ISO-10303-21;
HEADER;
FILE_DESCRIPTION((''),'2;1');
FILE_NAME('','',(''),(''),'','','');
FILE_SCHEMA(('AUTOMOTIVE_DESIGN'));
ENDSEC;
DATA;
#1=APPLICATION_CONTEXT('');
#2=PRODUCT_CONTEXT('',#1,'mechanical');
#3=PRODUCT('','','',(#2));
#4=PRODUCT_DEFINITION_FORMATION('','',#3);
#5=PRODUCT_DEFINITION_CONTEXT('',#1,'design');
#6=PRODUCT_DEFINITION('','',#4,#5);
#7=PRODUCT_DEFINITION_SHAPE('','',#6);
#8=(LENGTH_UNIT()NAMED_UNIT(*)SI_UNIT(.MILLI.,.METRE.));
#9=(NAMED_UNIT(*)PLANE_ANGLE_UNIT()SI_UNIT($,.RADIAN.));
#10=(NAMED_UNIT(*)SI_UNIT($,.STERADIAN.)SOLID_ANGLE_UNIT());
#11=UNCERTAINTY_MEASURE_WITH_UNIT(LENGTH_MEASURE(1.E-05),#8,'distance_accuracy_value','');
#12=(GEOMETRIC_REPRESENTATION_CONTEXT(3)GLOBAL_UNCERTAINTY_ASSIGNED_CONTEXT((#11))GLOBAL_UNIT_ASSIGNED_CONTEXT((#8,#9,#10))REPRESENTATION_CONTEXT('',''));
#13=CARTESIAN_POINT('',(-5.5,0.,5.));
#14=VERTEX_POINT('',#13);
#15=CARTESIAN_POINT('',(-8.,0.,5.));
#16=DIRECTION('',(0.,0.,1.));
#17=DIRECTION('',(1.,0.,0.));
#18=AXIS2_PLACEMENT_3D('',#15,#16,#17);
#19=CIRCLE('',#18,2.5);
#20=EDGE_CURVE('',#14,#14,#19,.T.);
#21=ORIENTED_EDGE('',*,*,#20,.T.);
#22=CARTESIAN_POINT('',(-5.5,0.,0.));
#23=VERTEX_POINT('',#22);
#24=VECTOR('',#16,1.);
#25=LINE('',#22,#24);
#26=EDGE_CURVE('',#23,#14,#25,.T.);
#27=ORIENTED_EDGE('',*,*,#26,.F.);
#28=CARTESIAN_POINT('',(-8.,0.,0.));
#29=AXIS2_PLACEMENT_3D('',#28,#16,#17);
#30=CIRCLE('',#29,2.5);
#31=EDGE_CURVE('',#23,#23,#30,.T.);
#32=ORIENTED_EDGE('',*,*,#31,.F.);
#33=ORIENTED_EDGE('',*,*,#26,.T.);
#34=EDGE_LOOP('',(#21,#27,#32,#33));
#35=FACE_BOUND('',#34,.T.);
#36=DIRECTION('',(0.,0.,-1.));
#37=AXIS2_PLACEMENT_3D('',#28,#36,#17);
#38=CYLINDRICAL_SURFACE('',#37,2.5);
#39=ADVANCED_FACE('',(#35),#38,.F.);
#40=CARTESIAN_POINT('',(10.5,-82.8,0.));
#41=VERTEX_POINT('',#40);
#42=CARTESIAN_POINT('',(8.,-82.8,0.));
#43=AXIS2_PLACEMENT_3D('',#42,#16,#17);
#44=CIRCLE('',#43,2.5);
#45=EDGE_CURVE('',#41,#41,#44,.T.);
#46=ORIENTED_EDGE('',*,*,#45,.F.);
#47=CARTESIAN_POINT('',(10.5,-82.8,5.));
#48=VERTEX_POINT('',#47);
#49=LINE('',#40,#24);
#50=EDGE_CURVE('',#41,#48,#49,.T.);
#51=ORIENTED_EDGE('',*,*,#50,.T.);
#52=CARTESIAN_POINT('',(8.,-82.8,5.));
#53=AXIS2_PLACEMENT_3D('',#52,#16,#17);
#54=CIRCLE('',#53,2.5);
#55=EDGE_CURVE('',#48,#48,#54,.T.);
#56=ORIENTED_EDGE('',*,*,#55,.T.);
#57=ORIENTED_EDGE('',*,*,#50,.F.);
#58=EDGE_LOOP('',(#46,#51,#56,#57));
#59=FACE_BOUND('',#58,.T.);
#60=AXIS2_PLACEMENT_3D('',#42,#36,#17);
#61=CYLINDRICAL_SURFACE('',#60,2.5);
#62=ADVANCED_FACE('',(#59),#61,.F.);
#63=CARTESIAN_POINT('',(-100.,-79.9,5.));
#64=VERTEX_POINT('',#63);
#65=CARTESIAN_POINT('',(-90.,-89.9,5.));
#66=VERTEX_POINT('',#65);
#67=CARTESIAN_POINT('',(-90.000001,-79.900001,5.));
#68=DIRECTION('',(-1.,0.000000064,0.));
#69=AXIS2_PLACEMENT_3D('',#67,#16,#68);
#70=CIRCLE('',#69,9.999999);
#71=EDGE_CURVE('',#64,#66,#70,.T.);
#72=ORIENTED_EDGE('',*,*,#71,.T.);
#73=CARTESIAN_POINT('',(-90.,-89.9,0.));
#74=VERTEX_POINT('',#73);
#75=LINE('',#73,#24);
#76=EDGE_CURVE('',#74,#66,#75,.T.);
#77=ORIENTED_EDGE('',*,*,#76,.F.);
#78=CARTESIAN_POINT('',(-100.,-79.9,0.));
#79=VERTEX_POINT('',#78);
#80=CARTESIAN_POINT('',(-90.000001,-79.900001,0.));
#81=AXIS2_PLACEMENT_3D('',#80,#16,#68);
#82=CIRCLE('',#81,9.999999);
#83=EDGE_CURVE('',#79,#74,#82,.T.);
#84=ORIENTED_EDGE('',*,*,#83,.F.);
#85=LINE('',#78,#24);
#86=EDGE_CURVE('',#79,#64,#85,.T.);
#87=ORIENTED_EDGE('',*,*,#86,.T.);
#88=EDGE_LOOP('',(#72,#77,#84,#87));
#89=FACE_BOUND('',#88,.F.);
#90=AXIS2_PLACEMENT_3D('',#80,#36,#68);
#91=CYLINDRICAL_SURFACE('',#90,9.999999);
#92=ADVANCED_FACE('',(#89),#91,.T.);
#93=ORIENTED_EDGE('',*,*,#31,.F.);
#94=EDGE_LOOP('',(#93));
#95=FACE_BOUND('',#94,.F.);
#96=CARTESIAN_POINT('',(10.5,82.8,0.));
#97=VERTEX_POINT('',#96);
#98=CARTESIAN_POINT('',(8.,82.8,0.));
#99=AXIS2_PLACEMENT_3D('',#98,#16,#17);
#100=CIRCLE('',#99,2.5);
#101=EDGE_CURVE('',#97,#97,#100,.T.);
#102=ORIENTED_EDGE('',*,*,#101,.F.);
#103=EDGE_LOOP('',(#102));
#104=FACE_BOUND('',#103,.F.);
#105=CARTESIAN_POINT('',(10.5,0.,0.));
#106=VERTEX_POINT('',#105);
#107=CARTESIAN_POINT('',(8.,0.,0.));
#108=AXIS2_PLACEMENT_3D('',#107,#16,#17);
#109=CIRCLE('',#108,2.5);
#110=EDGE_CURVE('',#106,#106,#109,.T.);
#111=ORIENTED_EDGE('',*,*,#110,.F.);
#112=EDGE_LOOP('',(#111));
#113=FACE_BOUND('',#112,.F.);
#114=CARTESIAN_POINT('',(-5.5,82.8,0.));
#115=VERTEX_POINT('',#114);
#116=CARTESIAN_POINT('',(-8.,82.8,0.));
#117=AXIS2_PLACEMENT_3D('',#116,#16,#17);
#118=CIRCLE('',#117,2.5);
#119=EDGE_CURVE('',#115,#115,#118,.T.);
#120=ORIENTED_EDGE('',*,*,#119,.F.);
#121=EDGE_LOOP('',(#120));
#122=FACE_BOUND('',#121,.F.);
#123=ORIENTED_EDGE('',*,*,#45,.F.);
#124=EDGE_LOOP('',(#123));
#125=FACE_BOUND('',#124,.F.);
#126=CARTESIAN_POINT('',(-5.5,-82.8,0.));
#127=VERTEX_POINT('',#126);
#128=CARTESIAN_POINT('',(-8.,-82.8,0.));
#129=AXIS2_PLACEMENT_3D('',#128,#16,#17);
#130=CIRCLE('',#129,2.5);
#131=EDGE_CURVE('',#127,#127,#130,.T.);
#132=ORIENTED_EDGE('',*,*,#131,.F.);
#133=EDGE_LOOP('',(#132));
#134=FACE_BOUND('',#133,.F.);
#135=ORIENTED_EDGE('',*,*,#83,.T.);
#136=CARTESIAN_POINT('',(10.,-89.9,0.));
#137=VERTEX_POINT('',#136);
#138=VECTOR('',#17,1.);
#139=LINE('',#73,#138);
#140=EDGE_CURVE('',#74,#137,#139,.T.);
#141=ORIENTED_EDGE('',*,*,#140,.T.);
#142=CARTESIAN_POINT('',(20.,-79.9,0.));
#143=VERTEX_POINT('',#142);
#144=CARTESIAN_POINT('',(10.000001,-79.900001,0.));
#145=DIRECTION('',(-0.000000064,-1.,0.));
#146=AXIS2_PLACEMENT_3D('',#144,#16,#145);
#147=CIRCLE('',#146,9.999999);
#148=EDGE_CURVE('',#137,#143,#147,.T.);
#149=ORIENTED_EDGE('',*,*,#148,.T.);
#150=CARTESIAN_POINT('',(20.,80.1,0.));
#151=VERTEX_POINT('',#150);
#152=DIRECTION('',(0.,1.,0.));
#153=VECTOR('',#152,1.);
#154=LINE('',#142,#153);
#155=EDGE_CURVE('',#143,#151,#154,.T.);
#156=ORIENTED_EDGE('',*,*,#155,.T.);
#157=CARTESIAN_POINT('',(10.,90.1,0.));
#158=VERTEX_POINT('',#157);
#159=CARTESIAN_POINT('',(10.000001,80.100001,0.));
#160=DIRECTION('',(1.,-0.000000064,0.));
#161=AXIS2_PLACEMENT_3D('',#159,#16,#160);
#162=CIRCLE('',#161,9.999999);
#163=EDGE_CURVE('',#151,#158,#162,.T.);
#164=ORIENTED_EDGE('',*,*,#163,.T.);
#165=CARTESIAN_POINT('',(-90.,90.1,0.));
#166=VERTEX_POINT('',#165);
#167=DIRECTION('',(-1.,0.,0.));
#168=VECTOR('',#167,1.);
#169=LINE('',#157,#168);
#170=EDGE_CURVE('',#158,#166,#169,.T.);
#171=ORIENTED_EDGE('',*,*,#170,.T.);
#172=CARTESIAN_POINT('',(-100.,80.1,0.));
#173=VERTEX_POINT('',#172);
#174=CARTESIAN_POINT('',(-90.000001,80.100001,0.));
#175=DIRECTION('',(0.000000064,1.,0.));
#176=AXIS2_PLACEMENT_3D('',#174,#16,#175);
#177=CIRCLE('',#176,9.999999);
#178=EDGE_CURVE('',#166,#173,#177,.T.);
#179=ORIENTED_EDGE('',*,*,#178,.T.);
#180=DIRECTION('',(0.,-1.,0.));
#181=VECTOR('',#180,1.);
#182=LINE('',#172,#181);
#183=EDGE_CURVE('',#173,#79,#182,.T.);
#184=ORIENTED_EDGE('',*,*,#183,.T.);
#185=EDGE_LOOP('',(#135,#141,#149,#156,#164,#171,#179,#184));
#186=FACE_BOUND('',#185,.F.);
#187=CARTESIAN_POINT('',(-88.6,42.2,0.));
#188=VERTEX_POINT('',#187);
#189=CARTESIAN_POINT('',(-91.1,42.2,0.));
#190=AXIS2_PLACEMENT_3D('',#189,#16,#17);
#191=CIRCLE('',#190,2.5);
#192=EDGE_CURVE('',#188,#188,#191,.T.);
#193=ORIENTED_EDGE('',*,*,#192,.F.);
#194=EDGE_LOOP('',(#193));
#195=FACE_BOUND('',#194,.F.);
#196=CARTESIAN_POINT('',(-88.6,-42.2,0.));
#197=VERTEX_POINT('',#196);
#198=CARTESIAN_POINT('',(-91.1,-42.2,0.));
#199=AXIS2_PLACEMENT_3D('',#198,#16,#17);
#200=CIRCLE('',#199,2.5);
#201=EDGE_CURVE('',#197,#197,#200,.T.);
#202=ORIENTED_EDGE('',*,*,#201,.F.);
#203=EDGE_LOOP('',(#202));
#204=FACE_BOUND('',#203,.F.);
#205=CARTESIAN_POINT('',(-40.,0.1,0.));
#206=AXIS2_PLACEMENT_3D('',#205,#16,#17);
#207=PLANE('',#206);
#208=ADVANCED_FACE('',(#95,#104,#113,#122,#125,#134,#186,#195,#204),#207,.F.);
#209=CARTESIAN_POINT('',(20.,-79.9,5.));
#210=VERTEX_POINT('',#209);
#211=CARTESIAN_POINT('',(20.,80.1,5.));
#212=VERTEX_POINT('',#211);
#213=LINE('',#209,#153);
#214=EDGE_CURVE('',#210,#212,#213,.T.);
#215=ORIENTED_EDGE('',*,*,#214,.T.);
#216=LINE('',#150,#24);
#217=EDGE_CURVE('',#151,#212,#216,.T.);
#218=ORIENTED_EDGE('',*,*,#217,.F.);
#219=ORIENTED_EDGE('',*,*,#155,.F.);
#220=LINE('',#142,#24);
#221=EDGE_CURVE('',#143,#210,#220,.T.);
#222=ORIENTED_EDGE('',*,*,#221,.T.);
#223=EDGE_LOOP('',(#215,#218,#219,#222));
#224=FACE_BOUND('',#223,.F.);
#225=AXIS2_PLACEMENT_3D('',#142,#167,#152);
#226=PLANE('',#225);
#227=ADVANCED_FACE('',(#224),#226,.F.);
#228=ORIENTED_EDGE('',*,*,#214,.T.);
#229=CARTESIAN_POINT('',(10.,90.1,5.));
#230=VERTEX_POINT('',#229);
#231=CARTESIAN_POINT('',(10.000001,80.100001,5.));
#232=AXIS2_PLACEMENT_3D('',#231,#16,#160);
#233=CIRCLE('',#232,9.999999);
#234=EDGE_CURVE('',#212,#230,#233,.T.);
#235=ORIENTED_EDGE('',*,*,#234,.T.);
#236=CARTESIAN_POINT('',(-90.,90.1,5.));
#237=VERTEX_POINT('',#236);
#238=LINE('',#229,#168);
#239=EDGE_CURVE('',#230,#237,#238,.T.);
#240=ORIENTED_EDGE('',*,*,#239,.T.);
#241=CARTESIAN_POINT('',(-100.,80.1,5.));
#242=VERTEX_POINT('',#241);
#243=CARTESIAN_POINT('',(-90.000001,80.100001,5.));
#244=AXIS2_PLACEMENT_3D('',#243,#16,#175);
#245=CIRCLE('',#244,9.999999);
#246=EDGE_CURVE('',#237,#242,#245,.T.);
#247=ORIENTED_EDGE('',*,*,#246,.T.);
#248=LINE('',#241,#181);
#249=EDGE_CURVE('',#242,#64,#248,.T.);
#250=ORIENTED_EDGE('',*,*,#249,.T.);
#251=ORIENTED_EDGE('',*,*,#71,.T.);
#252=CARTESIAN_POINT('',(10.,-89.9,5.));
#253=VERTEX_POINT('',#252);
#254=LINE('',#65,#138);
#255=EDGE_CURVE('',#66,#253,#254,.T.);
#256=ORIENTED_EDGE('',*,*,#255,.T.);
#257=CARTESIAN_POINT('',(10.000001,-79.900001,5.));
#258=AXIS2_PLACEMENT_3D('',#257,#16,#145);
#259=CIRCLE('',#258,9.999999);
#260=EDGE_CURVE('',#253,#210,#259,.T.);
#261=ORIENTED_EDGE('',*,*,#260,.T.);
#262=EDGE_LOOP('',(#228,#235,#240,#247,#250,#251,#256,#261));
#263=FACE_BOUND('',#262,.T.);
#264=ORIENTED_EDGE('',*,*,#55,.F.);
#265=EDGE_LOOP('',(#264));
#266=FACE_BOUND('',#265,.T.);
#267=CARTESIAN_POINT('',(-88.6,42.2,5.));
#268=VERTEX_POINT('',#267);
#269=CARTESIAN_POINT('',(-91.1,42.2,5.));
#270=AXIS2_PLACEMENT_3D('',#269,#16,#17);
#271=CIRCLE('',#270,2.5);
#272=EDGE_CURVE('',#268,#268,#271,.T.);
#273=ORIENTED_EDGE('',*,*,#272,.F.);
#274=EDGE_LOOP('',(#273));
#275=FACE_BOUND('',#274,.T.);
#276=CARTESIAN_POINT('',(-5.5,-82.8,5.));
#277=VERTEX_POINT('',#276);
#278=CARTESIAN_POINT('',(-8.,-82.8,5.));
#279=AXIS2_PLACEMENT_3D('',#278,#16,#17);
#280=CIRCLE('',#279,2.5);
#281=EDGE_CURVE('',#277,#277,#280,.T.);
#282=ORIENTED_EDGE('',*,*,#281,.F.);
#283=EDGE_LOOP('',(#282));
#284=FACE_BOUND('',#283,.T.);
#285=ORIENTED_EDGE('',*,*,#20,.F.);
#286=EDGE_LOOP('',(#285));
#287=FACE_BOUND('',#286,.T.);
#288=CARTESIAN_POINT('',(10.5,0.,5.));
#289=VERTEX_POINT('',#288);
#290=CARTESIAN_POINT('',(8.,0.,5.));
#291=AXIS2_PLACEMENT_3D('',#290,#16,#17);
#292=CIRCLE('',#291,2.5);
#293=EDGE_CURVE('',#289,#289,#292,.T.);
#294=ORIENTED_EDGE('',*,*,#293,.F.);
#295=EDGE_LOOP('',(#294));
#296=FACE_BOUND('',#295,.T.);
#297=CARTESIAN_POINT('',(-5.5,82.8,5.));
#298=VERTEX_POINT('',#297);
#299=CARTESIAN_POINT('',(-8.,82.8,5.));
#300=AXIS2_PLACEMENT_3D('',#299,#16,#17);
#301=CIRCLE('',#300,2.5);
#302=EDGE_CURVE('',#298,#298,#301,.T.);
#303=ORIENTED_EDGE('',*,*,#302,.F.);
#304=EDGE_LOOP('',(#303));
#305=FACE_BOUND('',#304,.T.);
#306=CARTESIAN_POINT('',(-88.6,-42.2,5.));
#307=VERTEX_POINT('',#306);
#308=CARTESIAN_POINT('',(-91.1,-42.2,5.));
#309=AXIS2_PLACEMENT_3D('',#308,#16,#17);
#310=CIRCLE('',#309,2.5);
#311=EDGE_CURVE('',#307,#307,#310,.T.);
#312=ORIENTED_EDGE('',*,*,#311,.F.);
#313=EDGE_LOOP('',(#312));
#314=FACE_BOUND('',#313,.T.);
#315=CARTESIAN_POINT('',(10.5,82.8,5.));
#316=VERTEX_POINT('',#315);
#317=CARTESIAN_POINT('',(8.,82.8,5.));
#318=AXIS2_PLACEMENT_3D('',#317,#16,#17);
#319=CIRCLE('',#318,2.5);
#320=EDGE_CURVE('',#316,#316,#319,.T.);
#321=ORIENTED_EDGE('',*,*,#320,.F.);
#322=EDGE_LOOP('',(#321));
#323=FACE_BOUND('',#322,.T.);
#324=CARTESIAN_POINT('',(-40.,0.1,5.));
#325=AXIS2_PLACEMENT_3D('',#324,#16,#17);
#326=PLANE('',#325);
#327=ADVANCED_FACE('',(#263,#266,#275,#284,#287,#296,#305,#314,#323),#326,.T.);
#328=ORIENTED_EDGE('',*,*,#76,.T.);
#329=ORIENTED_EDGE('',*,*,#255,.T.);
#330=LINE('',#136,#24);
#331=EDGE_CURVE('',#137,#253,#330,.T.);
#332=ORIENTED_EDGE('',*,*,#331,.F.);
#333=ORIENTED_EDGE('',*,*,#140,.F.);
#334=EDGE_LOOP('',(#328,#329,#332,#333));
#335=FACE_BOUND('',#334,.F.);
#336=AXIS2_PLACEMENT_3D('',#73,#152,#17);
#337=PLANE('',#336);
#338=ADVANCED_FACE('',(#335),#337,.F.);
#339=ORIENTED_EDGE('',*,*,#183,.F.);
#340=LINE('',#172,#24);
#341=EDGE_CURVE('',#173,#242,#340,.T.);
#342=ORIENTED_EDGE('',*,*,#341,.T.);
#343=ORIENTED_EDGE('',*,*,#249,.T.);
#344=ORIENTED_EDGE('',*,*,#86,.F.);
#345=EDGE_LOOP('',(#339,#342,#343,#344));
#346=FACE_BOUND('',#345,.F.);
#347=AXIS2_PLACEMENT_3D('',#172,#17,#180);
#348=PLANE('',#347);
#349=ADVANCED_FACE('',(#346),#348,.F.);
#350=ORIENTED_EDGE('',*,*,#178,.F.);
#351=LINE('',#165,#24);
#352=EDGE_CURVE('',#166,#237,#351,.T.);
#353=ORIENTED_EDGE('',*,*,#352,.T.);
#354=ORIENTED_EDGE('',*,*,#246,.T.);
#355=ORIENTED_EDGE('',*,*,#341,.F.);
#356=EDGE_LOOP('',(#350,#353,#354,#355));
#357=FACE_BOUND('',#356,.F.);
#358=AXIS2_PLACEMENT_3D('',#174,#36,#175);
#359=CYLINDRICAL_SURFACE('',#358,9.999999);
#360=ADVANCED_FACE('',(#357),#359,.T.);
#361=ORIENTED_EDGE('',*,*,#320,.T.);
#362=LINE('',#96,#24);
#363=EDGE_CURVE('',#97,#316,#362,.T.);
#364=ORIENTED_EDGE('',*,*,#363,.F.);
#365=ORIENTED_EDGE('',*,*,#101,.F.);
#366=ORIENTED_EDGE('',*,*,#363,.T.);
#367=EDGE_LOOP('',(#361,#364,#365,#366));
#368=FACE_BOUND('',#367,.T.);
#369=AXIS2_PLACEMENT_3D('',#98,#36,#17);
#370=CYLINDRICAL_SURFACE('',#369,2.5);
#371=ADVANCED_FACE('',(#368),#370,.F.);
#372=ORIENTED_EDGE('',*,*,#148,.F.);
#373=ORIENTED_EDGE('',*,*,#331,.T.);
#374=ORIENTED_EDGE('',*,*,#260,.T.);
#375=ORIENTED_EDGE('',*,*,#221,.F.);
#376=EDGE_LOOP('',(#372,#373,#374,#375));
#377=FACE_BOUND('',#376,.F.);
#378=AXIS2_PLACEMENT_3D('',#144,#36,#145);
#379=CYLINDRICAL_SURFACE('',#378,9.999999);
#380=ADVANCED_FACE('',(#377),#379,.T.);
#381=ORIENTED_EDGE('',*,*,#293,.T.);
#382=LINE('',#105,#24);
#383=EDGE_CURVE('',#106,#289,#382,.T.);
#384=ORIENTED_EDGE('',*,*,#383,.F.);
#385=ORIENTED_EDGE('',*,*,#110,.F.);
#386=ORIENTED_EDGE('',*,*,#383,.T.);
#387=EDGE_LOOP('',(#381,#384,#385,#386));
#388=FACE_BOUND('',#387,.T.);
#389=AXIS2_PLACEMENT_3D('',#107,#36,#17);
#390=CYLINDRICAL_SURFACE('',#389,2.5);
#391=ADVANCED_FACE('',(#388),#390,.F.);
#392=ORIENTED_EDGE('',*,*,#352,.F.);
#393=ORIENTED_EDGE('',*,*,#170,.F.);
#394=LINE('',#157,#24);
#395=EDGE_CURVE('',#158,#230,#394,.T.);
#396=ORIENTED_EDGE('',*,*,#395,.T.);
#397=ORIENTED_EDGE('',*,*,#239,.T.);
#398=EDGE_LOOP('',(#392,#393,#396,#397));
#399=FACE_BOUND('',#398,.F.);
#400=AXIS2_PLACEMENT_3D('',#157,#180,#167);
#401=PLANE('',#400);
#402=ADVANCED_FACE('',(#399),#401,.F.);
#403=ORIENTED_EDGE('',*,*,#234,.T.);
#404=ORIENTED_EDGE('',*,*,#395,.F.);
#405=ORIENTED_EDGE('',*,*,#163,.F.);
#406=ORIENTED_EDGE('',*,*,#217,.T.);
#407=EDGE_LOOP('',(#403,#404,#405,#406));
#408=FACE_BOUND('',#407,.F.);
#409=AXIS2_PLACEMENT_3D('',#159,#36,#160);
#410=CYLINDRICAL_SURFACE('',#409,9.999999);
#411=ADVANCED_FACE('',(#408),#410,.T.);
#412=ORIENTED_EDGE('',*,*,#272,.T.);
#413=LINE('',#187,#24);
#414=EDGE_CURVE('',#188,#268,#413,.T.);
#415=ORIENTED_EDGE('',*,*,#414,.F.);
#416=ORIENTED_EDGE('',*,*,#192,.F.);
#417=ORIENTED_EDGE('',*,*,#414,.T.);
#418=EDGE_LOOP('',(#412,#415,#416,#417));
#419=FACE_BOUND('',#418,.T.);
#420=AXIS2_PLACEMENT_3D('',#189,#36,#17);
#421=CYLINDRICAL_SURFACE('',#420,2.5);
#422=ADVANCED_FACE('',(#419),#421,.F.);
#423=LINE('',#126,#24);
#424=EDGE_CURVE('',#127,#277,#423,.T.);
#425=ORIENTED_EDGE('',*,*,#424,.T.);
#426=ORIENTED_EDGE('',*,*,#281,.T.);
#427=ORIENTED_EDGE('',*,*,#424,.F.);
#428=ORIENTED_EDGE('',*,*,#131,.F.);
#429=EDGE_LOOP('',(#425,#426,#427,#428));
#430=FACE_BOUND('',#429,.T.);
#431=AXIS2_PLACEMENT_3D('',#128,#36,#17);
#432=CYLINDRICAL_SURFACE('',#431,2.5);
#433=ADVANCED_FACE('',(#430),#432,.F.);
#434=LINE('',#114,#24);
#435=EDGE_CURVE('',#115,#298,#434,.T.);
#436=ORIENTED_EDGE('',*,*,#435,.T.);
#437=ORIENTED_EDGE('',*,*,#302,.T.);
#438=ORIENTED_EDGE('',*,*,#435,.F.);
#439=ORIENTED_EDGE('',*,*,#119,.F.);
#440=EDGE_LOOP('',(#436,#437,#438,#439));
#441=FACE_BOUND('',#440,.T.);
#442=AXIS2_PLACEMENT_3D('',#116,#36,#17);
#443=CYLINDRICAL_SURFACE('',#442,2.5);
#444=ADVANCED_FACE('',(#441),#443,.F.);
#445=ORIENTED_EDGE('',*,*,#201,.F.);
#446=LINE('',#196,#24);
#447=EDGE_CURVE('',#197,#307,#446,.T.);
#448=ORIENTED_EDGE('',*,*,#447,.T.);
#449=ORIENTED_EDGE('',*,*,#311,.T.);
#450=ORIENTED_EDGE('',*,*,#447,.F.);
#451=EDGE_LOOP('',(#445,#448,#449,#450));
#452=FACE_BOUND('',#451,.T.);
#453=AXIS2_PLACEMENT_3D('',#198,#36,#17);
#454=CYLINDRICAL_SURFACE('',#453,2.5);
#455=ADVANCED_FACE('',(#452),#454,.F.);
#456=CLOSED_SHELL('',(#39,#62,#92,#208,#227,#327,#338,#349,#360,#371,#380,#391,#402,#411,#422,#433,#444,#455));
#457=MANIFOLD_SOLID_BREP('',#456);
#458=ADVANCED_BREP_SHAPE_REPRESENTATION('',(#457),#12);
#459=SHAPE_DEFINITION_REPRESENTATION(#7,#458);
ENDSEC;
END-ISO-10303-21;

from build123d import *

# Parameters (mm, degrees)
F0_R     = 2.5
F1_DEPTH = 5


with BuildPart() as f1:
    # F0 (on Top) → F1 (new body)
    with BuildSketch(Plane.XY):
        with BuildLine():
            ThreePointArc((-100, -79.9), (-97.071068, -86.971068), (-90, -89.9))
            Line((-90, -89.9), (10, -89.9))
            ThreePointArc((10, -89.9), (17.071068, -86.971068), (20, -79.9))
            Line((20, -79.9), (20, 80.1))
            ThreePointArc((20, 80.1), (17.071068, 87.171068), (10, 90.1))
            Line((10, 90.1), (-90, 90.1))
            ThreePointArc((-90, 90.1), (-97.071068, 87.171068), (-100, 80.1))
            Line((-100, 80.1), (-100, -79.9))
        make_face()
        with Locations((-91.1, -42.2)):
            Circle(F0_R, mode=Mode.SUBTRACT)
        with Locations((-8, -82.8)):
            Circle(F0_R, mode=Mode.SUBTRACT)
        with Locations((8, -82.8)):
            Circle(F0_R, mode=Mode.SUBTRACT)
        with Locations((-8, 0)):
            Circle(F0_R, mode=Mode.SUBTRACT)
        with Locations((8, 0)):
            Circle(F0_R, mode=Mode.SUBTRACT)
        with Locations((-91.1, 42.2)):
            Circle(F0_R, mode=Mode.SUBTRACT)
        with Locations((-8, 82.8)):
            Circle(F0_R, mode=Mode.SUBTRACT)
        with Locations((8, 82.8)):
            Circle(F0_R, mode=Mode.SUBTRACT)
    extrude(amount=F1_DEPTH)


solid = f1.part
